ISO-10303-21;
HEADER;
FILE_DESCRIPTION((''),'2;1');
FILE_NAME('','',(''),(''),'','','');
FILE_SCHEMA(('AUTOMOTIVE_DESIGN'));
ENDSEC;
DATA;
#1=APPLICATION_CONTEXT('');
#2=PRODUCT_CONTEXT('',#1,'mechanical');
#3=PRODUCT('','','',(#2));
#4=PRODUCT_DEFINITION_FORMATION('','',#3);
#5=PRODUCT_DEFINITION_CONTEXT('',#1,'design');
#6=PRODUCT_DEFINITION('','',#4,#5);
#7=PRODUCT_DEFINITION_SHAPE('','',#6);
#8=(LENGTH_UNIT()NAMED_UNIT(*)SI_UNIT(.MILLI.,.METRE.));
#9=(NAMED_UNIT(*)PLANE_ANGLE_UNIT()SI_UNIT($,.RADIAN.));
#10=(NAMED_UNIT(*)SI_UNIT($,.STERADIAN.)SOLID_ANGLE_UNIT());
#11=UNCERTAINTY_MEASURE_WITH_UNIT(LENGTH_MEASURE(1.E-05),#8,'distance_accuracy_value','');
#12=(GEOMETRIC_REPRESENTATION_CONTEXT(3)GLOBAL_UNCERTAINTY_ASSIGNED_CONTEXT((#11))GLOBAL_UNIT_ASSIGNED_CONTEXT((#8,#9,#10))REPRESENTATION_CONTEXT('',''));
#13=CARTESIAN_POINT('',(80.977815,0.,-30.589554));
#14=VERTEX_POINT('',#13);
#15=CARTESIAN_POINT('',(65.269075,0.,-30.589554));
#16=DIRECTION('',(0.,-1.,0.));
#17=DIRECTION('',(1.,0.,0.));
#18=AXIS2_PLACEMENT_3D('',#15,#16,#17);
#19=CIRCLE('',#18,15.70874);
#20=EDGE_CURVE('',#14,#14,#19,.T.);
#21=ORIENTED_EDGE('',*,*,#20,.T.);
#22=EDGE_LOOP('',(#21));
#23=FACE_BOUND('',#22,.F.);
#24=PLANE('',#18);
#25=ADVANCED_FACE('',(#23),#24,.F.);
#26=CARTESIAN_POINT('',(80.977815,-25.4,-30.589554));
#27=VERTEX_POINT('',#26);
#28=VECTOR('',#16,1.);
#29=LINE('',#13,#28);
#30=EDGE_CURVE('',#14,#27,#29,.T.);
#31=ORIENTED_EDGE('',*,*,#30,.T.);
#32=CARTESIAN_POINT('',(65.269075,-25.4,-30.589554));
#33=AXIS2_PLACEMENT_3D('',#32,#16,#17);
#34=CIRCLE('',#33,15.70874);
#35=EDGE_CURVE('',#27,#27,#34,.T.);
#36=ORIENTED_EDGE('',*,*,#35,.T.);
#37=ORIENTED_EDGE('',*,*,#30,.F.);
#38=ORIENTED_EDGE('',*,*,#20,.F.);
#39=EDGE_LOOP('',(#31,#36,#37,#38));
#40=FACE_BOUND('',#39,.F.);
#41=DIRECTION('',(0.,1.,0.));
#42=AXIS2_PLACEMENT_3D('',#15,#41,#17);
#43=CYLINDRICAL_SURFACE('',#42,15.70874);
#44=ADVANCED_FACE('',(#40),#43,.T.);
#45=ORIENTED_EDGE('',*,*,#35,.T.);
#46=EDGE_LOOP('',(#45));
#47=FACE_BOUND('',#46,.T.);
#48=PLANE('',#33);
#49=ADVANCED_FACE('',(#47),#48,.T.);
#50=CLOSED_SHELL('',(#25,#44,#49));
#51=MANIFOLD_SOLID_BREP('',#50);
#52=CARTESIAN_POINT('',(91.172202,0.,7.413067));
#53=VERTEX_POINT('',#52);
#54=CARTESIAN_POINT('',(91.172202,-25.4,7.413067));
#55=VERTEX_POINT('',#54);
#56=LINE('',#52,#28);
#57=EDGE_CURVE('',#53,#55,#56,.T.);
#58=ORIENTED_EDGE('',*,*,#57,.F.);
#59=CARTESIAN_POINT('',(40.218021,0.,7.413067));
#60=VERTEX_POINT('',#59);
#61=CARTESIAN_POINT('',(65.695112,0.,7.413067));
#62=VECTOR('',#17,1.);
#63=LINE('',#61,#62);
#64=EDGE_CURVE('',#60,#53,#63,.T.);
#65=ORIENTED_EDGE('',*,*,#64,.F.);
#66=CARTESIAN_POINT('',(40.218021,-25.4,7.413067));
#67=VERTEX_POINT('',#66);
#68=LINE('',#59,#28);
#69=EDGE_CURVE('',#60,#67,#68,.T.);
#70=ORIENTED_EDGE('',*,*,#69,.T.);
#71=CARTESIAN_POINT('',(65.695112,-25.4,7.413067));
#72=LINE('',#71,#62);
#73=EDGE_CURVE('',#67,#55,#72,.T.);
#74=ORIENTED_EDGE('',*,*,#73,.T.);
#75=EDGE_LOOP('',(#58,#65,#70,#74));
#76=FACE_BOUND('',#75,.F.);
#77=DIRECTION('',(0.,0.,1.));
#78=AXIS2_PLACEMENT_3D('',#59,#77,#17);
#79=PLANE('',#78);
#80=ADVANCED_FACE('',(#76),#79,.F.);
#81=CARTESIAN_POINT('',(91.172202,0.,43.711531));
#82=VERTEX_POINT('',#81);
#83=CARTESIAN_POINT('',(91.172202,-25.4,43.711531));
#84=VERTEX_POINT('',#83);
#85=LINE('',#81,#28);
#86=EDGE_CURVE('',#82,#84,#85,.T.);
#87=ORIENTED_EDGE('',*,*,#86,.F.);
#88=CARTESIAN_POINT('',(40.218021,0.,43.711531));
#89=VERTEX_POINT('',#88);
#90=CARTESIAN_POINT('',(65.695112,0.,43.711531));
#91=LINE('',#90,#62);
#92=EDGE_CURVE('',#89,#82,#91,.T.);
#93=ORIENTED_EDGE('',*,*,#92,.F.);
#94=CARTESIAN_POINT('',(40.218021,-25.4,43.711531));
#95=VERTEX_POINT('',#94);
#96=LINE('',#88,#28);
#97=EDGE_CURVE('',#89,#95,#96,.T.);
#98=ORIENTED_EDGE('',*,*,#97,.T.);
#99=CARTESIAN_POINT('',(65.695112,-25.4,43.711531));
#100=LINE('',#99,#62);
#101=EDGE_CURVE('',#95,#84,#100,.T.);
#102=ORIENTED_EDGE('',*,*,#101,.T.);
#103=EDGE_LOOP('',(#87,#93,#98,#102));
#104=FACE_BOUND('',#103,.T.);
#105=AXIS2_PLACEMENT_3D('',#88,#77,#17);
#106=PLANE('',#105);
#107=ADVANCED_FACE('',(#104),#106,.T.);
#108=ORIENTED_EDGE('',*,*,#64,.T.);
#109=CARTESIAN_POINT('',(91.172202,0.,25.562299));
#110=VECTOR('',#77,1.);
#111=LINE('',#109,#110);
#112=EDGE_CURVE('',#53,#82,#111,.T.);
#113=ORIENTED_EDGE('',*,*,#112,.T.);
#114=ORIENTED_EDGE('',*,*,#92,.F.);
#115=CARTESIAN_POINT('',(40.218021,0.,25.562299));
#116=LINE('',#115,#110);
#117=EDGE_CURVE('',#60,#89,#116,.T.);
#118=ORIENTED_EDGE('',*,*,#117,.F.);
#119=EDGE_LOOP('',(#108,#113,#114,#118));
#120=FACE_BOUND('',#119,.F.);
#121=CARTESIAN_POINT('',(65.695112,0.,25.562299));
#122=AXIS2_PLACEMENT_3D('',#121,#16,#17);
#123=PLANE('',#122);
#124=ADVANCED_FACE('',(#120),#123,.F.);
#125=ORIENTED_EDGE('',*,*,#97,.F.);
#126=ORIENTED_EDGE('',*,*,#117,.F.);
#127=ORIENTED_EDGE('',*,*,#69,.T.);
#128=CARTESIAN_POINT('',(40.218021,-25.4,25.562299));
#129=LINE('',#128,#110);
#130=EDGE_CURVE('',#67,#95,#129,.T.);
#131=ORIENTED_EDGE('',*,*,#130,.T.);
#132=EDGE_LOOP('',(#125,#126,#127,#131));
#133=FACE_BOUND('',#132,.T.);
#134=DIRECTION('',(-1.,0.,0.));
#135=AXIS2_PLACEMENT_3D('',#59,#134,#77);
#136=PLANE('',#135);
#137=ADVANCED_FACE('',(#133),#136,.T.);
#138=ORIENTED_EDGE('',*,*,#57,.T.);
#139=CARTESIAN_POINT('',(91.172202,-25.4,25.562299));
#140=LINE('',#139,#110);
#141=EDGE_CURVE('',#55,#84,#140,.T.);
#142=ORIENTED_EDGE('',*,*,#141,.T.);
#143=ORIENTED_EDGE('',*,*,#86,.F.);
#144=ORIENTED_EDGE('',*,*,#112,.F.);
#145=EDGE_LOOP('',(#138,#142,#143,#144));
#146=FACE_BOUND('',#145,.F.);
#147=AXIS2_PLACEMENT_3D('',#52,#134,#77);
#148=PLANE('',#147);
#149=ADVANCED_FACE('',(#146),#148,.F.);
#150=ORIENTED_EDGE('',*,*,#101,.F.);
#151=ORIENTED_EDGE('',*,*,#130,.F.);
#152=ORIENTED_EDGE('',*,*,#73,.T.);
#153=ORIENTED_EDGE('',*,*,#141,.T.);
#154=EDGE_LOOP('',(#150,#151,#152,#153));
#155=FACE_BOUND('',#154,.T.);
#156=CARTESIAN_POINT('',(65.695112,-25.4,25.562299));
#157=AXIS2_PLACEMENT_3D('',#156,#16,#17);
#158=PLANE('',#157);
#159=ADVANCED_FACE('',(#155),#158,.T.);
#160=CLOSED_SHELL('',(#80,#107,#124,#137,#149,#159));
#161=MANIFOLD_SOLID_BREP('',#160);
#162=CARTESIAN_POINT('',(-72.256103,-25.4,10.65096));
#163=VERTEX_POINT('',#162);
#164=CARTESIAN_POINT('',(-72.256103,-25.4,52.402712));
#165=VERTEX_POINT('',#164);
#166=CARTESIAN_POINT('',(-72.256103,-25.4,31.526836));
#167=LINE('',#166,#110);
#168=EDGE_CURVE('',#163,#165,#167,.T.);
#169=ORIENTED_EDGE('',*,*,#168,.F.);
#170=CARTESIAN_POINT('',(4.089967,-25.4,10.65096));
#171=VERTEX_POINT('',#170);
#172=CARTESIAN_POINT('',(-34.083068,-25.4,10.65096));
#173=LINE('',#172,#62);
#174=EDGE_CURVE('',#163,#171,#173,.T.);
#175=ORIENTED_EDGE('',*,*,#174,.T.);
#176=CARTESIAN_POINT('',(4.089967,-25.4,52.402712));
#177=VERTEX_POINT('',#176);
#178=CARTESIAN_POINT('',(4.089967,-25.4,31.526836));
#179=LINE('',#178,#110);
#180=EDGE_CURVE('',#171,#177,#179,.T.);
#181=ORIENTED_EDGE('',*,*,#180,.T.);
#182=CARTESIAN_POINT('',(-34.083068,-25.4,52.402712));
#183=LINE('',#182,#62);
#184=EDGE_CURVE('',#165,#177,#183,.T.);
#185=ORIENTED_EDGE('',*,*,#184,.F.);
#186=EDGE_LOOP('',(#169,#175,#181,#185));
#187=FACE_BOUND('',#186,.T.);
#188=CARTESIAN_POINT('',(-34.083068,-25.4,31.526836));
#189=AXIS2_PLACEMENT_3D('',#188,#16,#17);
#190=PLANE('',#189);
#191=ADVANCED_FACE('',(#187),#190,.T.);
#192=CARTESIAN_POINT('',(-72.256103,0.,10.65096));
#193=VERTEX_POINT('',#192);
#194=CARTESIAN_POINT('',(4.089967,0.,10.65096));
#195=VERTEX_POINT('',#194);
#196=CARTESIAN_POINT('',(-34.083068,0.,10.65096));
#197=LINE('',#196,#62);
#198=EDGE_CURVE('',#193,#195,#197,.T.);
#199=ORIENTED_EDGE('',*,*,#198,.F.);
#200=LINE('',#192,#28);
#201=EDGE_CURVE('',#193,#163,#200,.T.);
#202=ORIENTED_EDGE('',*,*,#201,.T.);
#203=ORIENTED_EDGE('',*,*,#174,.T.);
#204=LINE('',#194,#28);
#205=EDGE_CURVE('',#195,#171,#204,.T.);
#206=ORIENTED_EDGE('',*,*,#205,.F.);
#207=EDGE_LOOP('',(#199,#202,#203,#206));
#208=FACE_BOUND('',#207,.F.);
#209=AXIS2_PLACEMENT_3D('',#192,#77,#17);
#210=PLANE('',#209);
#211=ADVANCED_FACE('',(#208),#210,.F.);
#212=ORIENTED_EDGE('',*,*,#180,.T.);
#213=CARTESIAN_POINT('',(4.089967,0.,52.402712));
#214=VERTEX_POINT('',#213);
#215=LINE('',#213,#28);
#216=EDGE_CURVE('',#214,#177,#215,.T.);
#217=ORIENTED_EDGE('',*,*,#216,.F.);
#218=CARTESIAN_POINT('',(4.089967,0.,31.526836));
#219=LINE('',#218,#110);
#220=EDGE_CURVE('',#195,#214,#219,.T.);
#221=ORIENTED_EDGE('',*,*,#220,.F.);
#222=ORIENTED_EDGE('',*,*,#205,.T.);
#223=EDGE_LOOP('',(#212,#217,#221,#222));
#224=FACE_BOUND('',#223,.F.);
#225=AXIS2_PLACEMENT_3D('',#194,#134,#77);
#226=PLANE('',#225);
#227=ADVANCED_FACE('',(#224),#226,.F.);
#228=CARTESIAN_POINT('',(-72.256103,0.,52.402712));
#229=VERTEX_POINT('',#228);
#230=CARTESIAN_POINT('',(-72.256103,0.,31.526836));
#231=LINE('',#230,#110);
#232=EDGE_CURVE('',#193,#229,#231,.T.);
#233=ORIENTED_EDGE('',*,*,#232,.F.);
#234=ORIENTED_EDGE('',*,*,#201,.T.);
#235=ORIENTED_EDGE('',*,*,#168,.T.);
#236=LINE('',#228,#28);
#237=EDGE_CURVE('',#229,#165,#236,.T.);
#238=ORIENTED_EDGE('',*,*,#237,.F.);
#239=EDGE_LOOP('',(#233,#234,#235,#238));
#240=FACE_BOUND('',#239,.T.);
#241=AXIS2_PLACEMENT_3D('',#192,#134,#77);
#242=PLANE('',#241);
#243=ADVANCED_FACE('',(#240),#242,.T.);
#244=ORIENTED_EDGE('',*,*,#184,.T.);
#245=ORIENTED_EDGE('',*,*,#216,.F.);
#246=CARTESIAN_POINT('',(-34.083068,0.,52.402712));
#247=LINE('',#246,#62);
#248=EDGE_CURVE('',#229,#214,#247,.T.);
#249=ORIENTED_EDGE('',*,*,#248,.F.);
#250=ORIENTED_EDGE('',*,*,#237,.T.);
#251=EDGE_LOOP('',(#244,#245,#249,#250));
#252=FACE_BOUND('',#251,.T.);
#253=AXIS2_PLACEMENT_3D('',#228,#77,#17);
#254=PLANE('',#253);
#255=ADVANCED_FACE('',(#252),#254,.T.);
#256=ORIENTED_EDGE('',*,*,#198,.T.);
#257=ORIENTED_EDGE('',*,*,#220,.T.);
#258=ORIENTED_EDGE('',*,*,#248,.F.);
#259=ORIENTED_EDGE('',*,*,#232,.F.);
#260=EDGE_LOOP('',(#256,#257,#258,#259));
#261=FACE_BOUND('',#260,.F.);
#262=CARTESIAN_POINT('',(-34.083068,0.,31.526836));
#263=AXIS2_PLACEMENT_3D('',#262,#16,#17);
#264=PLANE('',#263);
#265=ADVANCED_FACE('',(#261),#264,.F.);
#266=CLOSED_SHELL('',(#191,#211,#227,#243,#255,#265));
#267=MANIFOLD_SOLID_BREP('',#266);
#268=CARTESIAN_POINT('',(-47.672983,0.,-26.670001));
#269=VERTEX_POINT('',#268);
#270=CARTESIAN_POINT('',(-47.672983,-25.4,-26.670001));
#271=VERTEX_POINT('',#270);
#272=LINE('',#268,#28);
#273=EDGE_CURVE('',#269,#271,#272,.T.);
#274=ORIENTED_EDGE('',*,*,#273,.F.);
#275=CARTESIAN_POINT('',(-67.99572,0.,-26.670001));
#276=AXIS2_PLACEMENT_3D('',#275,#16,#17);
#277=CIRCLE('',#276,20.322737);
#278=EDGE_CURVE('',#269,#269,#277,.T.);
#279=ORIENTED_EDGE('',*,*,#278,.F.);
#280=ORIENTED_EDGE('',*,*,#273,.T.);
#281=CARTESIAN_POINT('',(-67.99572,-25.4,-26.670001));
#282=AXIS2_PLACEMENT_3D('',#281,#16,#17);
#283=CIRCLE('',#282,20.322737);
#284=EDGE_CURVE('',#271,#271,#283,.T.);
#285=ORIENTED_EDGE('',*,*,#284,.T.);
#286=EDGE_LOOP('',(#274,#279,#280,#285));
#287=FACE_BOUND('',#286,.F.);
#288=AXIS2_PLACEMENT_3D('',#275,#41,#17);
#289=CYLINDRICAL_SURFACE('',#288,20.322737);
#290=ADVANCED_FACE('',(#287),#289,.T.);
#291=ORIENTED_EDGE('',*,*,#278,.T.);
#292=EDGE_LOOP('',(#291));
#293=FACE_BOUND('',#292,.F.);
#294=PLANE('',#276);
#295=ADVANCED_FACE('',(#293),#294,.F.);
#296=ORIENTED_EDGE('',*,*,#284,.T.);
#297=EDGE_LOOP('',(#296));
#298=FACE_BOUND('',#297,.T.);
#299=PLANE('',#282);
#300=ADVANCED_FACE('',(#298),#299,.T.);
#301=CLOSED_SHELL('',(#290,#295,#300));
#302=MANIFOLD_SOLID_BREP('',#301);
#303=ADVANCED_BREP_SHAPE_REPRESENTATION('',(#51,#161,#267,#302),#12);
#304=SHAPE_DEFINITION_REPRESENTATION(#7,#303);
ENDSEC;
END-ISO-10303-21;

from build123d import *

# Parameters (mm, degrees)
F0_W     = 76.34607
F0_H     = 41.751753
F0_W_2   = 50.954181
F0_H_2   = 36.298465
F0_R     = 20.322737
F0_R_2   = 15.70874
F1_DEPTH = 25.4


with BuildPart() as f1:
    # F0 (on Front) → F1 (new body)
    with BuildSketch(Plane.XZ):
        with Locations((-34.083068, 31.526836)):
            Rectangle(F0_W, F0_H)
        with Locations((65.695112, 25.562299)):
            Rectangle(F0_W_2, F0_H_2)
        with Locations((-67.99572, -26.670001)):
            Circle(F0_R)
        with Locations((65.269075, -30.589554)):
            Circle(F0_R_2)
    extrude(amount=F1_DEPTH)


solid = f1.part
